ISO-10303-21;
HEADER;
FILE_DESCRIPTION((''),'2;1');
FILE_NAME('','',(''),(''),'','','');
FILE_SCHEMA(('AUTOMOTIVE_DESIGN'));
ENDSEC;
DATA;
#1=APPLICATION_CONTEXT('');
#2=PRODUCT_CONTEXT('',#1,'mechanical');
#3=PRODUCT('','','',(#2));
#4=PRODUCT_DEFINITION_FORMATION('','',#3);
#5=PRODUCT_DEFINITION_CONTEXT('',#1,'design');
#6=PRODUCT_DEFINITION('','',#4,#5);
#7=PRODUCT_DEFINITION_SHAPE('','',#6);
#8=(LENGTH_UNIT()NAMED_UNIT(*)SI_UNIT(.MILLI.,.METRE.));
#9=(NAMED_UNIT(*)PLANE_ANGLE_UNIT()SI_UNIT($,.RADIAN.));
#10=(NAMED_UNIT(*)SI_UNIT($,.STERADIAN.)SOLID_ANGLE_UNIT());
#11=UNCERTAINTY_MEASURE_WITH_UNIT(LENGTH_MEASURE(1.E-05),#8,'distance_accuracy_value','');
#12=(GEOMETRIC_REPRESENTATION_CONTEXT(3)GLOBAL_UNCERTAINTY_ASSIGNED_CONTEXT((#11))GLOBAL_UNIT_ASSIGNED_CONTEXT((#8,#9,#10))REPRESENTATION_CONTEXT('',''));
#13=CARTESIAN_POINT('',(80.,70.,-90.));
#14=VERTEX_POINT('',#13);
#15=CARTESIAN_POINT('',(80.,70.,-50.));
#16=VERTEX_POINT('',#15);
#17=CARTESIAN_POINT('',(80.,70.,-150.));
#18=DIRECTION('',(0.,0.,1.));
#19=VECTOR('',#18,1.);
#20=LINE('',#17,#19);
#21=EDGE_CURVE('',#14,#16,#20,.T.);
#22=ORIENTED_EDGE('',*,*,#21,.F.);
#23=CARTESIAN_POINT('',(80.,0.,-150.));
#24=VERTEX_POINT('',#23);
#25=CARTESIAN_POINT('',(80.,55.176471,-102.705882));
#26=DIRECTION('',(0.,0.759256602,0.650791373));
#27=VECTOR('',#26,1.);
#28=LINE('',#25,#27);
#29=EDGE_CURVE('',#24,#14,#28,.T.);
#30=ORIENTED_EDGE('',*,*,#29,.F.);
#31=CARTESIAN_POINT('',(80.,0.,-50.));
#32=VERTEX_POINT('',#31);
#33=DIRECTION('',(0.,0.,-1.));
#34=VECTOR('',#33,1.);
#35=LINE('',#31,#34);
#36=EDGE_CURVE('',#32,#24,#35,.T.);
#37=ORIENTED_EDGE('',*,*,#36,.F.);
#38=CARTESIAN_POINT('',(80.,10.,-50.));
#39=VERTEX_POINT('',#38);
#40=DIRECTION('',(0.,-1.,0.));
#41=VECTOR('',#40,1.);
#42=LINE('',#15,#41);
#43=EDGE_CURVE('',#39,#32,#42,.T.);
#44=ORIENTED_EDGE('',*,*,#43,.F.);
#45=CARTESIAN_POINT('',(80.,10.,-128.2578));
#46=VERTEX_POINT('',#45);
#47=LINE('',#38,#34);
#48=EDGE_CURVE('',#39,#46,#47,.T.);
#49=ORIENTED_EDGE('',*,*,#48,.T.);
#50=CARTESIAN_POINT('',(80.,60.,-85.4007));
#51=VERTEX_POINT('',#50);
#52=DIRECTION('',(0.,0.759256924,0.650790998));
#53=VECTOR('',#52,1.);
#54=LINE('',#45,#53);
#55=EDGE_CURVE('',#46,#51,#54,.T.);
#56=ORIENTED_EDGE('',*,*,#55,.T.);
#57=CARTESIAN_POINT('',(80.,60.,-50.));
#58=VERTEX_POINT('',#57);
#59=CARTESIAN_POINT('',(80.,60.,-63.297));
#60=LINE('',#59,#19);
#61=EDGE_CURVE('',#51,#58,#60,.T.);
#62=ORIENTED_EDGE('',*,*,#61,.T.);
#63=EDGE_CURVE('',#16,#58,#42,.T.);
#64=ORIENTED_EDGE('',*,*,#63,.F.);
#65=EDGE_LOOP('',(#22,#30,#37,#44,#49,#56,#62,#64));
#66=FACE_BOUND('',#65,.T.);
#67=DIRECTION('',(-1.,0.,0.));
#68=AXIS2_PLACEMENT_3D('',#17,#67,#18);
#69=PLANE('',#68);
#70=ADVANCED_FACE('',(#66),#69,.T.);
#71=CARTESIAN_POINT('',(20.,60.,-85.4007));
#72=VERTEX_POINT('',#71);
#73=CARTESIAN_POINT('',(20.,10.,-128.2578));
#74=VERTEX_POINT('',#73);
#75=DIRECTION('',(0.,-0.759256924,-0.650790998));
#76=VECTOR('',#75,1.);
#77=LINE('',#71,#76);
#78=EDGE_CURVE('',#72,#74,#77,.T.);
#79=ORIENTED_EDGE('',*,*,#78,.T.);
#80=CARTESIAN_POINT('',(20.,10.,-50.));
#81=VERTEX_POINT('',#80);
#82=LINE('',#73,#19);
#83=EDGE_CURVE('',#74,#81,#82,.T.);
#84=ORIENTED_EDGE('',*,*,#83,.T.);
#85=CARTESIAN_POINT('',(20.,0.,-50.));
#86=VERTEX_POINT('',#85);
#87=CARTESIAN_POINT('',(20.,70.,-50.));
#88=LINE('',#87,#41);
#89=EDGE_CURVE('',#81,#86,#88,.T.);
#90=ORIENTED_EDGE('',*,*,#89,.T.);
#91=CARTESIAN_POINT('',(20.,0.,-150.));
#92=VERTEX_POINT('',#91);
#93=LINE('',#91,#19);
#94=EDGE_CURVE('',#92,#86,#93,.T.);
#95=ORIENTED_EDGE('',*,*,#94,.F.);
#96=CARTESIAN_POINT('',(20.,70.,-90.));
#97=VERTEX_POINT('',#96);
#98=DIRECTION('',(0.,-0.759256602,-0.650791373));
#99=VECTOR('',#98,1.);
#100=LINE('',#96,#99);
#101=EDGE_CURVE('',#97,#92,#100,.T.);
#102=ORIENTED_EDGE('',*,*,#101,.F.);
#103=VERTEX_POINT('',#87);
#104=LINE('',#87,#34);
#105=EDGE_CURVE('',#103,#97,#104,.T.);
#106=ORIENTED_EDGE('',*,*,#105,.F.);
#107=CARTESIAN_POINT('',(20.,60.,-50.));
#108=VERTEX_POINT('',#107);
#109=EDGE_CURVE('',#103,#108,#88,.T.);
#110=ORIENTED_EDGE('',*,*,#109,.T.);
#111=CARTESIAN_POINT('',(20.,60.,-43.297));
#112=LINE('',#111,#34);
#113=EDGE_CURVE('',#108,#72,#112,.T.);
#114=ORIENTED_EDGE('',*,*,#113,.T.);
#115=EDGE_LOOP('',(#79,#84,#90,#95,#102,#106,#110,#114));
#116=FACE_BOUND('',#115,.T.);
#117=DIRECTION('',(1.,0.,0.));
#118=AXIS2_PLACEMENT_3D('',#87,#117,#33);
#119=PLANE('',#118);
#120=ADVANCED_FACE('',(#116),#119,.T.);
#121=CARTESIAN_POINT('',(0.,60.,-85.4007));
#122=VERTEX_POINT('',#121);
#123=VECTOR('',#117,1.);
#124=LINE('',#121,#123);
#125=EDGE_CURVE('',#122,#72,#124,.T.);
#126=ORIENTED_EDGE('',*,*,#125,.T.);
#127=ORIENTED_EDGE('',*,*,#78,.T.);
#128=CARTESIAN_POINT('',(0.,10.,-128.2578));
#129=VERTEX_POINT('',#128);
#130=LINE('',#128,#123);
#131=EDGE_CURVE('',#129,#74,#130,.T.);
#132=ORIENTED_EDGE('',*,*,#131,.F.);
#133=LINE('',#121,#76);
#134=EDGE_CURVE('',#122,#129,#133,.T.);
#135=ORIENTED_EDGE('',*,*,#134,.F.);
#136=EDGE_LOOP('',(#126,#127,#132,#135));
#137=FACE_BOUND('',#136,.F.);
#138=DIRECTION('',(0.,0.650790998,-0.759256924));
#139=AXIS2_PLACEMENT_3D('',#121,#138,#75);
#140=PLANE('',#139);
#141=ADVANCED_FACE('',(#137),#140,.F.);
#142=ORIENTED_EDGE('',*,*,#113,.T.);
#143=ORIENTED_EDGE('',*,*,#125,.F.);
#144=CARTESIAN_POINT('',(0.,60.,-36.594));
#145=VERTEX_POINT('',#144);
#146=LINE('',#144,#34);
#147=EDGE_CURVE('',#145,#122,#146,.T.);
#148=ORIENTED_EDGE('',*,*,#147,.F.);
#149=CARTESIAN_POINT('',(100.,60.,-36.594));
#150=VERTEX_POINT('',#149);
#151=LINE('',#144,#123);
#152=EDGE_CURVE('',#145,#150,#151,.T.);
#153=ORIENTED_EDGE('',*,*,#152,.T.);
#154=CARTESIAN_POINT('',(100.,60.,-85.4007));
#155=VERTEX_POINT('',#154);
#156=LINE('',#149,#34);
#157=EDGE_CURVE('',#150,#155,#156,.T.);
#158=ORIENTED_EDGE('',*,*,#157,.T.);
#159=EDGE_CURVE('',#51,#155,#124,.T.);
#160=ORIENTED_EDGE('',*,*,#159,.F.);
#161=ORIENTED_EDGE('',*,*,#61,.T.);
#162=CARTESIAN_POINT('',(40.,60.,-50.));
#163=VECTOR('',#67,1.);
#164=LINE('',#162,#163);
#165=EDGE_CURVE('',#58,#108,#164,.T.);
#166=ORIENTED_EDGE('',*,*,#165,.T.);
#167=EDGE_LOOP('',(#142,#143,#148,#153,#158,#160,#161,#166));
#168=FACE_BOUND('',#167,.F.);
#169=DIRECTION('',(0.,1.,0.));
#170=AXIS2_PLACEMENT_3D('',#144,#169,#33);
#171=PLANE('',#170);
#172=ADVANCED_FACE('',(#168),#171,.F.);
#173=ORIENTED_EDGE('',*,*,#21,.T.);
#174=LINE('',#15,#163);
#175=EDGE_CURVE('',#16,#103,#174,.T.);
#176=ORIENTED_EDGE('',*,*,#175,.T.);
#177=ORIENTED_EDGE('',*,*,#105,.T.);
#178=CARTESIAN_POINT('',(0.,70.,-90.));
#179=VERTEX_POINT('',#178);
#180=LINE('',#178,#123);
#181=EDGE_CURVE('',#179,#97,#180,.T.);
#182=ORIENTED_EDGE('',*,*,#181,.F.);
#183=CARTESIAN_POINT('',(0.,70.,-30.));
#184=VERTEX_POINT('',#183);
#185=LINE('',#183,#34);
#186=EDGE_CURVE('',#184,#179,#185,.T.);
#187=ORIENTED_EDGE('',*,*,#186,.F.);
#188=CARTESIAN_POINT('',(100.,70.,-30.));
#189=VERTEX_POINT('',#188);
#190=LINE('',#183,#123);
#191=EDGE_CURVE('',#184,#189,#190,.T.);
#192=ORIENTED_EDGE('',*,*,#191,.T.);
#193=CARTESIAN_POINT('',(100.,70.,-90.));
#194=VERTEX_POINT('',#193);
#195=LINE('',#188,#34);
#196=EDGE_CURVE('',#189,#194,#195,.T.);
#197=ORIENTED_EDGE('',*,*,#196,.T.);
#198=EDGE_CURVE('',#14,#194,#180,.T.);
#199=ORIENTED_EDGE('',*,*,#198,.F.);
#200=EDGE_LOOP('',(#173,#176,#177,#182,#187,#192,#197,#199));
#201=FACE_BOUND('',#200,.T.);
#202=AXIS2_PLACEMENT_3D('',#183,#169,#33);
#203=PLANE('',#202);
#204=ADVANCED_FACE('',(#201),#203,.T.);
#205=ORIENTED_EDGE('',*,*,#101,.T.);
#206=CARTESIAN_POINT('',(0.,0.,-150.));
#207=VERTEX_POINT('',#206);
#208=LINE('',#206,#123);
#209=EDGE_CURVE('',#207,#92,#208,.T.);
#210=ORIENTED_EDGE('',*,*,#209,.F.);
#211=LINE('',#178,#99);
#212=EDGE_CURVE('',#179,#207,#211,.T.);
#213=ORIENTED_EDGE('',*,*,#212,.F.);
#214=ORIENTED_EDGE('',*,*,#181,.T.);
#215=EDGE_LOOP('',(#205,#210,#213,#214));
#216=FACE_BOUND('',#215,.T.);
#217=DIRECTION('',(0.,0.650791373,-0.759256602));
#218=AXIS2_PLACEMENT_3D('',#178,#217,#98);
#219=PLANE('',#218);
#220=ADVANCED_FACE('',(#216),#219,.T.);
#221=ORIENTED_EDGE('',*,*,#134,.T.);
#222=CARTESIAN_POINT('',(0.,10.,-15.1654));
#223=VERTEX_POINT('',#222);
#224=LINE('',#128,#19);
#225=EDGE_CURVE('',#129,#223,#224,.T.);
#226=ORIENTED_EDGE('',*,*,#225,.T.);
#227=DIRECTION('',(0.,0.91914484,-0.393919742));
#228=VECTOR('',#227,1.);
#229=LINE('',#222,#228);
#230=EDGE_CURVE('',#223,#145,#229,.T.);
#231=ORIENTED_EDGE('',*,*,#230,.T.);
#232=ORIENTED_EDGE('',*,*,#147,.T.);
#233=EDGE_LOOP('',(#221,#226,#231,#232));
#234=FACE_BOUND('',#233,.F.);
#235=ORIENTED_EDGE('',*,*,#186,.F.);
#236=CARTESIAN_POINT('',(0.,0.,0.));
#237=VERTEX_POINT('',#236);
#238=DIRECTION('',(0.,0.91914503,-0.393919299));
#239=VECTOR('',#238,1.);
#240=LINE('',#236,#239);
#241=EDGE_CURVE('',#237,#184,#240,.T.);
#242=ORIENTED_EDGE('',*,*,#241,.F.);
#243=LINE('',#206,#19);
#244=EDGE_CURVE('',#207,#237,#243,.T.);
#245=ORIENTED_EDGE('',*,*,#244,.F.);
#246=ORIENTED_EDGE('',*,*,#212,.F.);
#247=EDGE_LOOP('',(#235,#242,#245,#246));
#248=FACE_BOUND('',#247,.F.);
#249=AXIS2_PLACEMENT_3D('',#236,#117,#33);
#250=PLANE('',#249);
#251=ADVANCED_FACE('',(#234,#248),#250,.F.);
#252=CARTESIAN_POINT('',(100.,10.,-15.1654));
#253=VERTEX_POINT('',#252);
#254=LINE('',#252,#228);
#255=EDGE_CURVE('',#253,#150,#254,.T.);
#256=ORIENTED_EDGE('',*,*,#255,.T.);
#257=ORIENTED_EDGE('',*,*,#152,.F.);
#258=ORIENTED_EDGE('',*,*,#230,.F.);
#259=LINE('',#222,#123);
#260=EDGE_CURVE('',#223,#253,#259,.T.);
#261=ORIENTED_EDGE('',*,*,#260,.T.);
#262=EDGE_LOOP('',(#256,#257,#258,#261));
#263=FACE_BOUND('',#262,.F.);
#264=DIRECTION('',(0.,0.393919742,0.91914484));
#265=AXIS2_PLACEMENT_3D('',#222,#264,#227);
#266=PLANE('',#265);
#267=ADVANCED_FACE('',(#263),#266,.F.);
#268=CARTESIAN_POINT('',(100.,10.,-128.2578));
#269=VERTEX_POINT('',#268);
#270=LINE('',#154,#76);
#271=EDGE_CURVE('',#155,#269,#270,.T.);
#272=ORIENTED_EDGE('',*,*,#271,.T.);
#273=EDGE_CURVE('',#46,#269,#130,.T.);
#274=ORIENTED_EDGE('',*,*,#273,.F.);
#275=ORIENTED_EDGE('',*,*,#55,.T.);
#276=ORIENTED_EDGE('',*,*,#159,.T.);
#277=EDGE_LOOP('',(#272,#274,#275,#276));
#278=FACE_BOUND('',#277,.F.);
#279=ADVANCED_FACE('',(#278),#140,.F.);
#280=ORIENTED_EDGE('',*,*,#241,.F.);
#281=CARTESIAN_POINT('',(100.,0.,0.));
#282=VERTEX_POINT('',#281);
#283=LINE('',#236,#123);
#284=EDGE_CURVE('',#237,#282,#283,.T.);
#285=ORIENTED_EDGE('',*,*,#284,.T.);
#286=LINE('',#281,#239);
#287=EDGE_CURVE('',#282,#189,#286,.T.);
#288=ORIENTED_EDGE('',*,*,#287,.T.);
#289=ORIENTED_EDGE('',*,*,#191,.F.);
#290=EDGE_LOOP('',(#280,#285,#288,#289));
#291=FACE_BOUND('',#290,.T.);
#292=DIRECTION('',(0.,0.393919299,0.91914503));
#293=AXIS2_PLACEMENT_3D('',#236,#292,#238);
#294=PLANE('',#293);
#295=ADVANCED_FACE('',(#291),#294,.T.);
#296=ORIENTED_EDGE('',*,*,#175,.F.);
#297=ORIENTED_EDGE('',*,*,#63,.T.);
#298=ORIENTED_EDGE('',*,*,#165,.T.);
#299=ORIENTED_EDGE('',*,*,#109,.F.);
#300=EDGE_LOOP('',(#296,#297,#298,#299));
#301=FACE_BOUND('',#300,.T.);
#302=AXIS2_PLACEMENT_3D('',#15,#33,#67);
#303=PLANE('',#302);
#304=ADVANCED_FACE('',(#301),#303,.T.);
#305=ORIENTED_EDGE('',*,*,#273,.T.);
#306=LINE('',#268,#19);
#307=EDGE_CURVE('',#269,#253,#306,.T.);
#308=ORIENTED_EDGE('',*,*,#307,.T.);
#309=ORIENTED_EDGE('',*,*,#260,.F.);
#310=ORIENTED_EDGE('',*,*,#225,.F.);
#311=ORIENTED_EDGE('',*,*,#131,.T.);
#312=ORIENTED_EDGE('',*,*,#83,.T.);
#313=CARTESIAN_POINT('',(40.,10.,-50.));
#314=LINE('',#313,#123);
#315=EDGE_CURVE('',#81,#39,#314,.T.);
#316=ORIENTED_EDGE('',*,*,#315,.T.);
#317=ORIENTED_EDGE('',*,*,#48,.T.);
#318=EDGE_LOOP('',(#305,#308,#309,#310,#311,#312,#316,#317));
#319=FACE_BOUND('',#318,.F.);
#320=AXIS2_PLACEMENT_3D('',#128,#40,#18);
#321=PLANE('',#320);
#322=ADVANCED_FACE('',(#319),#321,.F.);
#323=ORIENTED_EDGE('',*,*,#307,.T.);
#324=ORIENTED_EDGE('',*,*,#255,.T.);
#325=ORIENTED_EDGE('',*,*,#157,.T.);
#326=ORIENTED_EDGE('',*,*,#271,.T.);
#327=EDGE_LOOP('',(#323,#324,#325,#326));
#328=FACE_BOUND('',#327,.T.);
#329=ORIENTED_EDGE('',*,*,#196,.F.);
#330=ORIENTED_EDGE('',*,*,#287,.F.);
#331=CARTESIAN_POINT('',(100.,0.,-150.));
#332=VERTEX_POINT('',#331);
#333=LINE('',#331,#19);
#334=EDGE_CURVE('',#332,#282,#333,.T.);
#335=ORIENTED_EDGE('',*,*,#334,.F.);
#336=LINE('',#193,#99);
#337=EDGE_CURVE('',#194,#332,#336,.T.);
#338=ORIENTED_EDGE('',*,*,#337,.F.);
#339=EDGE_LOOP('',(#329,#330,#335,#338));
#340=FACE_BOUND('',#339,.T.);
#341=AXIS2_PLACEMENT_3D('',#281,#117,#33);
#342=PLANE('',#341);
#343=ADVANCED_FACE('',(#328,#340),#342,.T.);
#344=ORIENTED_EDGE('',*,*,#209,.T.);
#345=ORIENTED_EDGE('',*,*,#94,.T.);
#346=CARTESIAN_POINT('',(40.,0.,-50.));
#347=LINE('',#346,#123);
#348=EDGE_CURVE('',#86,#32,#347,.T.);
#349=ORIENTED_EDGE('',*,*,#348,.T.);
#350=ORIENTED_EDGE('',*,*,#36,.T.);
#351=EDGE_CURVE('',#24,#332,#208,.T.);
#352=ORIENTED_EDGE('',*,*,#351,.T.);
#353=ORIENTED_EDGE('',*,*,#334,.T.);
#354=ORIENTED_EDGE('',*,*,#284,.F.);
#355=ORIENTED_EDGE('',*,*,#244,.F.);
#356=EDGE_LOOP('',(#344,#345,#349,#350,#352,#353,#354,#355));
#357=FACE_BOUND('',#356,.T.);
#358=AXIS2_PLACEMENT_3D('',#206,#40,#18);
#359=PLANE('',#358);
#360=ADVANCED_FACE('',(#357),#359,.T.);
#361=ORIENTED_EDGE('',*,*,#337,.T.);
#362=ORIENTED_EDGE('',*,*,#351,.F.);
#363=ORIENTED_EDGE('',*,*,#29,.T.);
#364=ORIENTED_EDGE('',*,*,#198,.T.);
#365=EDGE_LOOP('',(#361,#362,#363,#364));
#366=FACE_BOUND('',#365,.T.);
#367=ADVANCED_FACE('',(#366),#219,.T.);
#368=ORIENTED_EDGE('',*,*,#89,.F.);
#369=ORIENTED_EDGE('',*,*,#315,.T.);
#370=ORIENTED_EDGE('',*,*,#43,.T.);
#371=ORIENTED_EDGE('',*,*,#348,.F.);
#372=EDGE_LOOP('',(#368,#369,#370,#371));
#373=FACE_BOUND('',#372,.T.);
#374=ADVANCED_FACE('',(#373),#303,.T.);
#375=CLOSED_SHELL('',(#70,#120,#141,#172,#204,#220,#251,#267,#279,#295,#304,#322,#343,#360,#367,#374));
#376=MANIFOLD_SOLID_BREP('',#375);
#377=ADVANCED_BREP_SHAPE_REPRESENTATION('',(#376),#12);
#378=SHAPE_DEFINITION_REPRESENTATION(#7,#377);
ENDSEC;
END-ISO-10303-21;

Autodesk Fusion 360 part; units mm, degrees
sketch "Sketch2" plane through (0, 0, 0) normal (1, 0, 0) x (0, 0, -1)
  line L0 (0, 0) -> (30, 70)
  line L1 (30, 70) -> (90, 70)
  line L2 (90, 70) -> (150, 0)
  line L3 (150, 0) -> (0, 0)
  line L4 (36.594, 60) -> (85.4007, 60)
  line L5 (85.4007, 60) -> (128.2578, 10)
  line L6 (128.2578, 10) -> (15.1654, 10)
  line L7 (15.1654, 10) -> (36.594, 60)
  dimension "d9" = 10
  dimension "d10" = 70
  dimension "d11" = 30
  dimension "d12" = 60
  dimension "d13" = 60
extrude "Extrude1" add sketch "Sketch2" along normal blind 100
sketch "Sketch3" plane through (0, 70, 0) normal (0, 1, 0) x (-1, 0, 0)
  line L0 (0, -90) -> (0, -30)
  line L1 (0, -30) -> (-100, -30)
  line L2 (-100, -30) -> (-100, -90)
  line L3 (-100, -90) -> (0, -90)
  line L4 (-100, -30) -> (0, -30) construction
  line L5 (-50, -30) -> (-50, -100) construction
  line L6 (-20, -150) -> (-80, -150)
  line L7 (-80, -150) -> (-80, -50)
  line L8 (-80, -50) -> (-20, -50)
  line L9 (-20, -50) -> (-20, -150)
  line L10 (-20, -150) -> (-80, -50) construction
  line L11 (-80, -150) -> (-20, -50) construction
  point P0 (-50, -100)
  dimension "d19" = 70
  dimension "d20" = 60
  dimension "d21" = 100
extrude "Extrude2" cut sketch "Sketch3" against normal through all contours L3 L6 L7 L9 | L3 L7 L8 L9
